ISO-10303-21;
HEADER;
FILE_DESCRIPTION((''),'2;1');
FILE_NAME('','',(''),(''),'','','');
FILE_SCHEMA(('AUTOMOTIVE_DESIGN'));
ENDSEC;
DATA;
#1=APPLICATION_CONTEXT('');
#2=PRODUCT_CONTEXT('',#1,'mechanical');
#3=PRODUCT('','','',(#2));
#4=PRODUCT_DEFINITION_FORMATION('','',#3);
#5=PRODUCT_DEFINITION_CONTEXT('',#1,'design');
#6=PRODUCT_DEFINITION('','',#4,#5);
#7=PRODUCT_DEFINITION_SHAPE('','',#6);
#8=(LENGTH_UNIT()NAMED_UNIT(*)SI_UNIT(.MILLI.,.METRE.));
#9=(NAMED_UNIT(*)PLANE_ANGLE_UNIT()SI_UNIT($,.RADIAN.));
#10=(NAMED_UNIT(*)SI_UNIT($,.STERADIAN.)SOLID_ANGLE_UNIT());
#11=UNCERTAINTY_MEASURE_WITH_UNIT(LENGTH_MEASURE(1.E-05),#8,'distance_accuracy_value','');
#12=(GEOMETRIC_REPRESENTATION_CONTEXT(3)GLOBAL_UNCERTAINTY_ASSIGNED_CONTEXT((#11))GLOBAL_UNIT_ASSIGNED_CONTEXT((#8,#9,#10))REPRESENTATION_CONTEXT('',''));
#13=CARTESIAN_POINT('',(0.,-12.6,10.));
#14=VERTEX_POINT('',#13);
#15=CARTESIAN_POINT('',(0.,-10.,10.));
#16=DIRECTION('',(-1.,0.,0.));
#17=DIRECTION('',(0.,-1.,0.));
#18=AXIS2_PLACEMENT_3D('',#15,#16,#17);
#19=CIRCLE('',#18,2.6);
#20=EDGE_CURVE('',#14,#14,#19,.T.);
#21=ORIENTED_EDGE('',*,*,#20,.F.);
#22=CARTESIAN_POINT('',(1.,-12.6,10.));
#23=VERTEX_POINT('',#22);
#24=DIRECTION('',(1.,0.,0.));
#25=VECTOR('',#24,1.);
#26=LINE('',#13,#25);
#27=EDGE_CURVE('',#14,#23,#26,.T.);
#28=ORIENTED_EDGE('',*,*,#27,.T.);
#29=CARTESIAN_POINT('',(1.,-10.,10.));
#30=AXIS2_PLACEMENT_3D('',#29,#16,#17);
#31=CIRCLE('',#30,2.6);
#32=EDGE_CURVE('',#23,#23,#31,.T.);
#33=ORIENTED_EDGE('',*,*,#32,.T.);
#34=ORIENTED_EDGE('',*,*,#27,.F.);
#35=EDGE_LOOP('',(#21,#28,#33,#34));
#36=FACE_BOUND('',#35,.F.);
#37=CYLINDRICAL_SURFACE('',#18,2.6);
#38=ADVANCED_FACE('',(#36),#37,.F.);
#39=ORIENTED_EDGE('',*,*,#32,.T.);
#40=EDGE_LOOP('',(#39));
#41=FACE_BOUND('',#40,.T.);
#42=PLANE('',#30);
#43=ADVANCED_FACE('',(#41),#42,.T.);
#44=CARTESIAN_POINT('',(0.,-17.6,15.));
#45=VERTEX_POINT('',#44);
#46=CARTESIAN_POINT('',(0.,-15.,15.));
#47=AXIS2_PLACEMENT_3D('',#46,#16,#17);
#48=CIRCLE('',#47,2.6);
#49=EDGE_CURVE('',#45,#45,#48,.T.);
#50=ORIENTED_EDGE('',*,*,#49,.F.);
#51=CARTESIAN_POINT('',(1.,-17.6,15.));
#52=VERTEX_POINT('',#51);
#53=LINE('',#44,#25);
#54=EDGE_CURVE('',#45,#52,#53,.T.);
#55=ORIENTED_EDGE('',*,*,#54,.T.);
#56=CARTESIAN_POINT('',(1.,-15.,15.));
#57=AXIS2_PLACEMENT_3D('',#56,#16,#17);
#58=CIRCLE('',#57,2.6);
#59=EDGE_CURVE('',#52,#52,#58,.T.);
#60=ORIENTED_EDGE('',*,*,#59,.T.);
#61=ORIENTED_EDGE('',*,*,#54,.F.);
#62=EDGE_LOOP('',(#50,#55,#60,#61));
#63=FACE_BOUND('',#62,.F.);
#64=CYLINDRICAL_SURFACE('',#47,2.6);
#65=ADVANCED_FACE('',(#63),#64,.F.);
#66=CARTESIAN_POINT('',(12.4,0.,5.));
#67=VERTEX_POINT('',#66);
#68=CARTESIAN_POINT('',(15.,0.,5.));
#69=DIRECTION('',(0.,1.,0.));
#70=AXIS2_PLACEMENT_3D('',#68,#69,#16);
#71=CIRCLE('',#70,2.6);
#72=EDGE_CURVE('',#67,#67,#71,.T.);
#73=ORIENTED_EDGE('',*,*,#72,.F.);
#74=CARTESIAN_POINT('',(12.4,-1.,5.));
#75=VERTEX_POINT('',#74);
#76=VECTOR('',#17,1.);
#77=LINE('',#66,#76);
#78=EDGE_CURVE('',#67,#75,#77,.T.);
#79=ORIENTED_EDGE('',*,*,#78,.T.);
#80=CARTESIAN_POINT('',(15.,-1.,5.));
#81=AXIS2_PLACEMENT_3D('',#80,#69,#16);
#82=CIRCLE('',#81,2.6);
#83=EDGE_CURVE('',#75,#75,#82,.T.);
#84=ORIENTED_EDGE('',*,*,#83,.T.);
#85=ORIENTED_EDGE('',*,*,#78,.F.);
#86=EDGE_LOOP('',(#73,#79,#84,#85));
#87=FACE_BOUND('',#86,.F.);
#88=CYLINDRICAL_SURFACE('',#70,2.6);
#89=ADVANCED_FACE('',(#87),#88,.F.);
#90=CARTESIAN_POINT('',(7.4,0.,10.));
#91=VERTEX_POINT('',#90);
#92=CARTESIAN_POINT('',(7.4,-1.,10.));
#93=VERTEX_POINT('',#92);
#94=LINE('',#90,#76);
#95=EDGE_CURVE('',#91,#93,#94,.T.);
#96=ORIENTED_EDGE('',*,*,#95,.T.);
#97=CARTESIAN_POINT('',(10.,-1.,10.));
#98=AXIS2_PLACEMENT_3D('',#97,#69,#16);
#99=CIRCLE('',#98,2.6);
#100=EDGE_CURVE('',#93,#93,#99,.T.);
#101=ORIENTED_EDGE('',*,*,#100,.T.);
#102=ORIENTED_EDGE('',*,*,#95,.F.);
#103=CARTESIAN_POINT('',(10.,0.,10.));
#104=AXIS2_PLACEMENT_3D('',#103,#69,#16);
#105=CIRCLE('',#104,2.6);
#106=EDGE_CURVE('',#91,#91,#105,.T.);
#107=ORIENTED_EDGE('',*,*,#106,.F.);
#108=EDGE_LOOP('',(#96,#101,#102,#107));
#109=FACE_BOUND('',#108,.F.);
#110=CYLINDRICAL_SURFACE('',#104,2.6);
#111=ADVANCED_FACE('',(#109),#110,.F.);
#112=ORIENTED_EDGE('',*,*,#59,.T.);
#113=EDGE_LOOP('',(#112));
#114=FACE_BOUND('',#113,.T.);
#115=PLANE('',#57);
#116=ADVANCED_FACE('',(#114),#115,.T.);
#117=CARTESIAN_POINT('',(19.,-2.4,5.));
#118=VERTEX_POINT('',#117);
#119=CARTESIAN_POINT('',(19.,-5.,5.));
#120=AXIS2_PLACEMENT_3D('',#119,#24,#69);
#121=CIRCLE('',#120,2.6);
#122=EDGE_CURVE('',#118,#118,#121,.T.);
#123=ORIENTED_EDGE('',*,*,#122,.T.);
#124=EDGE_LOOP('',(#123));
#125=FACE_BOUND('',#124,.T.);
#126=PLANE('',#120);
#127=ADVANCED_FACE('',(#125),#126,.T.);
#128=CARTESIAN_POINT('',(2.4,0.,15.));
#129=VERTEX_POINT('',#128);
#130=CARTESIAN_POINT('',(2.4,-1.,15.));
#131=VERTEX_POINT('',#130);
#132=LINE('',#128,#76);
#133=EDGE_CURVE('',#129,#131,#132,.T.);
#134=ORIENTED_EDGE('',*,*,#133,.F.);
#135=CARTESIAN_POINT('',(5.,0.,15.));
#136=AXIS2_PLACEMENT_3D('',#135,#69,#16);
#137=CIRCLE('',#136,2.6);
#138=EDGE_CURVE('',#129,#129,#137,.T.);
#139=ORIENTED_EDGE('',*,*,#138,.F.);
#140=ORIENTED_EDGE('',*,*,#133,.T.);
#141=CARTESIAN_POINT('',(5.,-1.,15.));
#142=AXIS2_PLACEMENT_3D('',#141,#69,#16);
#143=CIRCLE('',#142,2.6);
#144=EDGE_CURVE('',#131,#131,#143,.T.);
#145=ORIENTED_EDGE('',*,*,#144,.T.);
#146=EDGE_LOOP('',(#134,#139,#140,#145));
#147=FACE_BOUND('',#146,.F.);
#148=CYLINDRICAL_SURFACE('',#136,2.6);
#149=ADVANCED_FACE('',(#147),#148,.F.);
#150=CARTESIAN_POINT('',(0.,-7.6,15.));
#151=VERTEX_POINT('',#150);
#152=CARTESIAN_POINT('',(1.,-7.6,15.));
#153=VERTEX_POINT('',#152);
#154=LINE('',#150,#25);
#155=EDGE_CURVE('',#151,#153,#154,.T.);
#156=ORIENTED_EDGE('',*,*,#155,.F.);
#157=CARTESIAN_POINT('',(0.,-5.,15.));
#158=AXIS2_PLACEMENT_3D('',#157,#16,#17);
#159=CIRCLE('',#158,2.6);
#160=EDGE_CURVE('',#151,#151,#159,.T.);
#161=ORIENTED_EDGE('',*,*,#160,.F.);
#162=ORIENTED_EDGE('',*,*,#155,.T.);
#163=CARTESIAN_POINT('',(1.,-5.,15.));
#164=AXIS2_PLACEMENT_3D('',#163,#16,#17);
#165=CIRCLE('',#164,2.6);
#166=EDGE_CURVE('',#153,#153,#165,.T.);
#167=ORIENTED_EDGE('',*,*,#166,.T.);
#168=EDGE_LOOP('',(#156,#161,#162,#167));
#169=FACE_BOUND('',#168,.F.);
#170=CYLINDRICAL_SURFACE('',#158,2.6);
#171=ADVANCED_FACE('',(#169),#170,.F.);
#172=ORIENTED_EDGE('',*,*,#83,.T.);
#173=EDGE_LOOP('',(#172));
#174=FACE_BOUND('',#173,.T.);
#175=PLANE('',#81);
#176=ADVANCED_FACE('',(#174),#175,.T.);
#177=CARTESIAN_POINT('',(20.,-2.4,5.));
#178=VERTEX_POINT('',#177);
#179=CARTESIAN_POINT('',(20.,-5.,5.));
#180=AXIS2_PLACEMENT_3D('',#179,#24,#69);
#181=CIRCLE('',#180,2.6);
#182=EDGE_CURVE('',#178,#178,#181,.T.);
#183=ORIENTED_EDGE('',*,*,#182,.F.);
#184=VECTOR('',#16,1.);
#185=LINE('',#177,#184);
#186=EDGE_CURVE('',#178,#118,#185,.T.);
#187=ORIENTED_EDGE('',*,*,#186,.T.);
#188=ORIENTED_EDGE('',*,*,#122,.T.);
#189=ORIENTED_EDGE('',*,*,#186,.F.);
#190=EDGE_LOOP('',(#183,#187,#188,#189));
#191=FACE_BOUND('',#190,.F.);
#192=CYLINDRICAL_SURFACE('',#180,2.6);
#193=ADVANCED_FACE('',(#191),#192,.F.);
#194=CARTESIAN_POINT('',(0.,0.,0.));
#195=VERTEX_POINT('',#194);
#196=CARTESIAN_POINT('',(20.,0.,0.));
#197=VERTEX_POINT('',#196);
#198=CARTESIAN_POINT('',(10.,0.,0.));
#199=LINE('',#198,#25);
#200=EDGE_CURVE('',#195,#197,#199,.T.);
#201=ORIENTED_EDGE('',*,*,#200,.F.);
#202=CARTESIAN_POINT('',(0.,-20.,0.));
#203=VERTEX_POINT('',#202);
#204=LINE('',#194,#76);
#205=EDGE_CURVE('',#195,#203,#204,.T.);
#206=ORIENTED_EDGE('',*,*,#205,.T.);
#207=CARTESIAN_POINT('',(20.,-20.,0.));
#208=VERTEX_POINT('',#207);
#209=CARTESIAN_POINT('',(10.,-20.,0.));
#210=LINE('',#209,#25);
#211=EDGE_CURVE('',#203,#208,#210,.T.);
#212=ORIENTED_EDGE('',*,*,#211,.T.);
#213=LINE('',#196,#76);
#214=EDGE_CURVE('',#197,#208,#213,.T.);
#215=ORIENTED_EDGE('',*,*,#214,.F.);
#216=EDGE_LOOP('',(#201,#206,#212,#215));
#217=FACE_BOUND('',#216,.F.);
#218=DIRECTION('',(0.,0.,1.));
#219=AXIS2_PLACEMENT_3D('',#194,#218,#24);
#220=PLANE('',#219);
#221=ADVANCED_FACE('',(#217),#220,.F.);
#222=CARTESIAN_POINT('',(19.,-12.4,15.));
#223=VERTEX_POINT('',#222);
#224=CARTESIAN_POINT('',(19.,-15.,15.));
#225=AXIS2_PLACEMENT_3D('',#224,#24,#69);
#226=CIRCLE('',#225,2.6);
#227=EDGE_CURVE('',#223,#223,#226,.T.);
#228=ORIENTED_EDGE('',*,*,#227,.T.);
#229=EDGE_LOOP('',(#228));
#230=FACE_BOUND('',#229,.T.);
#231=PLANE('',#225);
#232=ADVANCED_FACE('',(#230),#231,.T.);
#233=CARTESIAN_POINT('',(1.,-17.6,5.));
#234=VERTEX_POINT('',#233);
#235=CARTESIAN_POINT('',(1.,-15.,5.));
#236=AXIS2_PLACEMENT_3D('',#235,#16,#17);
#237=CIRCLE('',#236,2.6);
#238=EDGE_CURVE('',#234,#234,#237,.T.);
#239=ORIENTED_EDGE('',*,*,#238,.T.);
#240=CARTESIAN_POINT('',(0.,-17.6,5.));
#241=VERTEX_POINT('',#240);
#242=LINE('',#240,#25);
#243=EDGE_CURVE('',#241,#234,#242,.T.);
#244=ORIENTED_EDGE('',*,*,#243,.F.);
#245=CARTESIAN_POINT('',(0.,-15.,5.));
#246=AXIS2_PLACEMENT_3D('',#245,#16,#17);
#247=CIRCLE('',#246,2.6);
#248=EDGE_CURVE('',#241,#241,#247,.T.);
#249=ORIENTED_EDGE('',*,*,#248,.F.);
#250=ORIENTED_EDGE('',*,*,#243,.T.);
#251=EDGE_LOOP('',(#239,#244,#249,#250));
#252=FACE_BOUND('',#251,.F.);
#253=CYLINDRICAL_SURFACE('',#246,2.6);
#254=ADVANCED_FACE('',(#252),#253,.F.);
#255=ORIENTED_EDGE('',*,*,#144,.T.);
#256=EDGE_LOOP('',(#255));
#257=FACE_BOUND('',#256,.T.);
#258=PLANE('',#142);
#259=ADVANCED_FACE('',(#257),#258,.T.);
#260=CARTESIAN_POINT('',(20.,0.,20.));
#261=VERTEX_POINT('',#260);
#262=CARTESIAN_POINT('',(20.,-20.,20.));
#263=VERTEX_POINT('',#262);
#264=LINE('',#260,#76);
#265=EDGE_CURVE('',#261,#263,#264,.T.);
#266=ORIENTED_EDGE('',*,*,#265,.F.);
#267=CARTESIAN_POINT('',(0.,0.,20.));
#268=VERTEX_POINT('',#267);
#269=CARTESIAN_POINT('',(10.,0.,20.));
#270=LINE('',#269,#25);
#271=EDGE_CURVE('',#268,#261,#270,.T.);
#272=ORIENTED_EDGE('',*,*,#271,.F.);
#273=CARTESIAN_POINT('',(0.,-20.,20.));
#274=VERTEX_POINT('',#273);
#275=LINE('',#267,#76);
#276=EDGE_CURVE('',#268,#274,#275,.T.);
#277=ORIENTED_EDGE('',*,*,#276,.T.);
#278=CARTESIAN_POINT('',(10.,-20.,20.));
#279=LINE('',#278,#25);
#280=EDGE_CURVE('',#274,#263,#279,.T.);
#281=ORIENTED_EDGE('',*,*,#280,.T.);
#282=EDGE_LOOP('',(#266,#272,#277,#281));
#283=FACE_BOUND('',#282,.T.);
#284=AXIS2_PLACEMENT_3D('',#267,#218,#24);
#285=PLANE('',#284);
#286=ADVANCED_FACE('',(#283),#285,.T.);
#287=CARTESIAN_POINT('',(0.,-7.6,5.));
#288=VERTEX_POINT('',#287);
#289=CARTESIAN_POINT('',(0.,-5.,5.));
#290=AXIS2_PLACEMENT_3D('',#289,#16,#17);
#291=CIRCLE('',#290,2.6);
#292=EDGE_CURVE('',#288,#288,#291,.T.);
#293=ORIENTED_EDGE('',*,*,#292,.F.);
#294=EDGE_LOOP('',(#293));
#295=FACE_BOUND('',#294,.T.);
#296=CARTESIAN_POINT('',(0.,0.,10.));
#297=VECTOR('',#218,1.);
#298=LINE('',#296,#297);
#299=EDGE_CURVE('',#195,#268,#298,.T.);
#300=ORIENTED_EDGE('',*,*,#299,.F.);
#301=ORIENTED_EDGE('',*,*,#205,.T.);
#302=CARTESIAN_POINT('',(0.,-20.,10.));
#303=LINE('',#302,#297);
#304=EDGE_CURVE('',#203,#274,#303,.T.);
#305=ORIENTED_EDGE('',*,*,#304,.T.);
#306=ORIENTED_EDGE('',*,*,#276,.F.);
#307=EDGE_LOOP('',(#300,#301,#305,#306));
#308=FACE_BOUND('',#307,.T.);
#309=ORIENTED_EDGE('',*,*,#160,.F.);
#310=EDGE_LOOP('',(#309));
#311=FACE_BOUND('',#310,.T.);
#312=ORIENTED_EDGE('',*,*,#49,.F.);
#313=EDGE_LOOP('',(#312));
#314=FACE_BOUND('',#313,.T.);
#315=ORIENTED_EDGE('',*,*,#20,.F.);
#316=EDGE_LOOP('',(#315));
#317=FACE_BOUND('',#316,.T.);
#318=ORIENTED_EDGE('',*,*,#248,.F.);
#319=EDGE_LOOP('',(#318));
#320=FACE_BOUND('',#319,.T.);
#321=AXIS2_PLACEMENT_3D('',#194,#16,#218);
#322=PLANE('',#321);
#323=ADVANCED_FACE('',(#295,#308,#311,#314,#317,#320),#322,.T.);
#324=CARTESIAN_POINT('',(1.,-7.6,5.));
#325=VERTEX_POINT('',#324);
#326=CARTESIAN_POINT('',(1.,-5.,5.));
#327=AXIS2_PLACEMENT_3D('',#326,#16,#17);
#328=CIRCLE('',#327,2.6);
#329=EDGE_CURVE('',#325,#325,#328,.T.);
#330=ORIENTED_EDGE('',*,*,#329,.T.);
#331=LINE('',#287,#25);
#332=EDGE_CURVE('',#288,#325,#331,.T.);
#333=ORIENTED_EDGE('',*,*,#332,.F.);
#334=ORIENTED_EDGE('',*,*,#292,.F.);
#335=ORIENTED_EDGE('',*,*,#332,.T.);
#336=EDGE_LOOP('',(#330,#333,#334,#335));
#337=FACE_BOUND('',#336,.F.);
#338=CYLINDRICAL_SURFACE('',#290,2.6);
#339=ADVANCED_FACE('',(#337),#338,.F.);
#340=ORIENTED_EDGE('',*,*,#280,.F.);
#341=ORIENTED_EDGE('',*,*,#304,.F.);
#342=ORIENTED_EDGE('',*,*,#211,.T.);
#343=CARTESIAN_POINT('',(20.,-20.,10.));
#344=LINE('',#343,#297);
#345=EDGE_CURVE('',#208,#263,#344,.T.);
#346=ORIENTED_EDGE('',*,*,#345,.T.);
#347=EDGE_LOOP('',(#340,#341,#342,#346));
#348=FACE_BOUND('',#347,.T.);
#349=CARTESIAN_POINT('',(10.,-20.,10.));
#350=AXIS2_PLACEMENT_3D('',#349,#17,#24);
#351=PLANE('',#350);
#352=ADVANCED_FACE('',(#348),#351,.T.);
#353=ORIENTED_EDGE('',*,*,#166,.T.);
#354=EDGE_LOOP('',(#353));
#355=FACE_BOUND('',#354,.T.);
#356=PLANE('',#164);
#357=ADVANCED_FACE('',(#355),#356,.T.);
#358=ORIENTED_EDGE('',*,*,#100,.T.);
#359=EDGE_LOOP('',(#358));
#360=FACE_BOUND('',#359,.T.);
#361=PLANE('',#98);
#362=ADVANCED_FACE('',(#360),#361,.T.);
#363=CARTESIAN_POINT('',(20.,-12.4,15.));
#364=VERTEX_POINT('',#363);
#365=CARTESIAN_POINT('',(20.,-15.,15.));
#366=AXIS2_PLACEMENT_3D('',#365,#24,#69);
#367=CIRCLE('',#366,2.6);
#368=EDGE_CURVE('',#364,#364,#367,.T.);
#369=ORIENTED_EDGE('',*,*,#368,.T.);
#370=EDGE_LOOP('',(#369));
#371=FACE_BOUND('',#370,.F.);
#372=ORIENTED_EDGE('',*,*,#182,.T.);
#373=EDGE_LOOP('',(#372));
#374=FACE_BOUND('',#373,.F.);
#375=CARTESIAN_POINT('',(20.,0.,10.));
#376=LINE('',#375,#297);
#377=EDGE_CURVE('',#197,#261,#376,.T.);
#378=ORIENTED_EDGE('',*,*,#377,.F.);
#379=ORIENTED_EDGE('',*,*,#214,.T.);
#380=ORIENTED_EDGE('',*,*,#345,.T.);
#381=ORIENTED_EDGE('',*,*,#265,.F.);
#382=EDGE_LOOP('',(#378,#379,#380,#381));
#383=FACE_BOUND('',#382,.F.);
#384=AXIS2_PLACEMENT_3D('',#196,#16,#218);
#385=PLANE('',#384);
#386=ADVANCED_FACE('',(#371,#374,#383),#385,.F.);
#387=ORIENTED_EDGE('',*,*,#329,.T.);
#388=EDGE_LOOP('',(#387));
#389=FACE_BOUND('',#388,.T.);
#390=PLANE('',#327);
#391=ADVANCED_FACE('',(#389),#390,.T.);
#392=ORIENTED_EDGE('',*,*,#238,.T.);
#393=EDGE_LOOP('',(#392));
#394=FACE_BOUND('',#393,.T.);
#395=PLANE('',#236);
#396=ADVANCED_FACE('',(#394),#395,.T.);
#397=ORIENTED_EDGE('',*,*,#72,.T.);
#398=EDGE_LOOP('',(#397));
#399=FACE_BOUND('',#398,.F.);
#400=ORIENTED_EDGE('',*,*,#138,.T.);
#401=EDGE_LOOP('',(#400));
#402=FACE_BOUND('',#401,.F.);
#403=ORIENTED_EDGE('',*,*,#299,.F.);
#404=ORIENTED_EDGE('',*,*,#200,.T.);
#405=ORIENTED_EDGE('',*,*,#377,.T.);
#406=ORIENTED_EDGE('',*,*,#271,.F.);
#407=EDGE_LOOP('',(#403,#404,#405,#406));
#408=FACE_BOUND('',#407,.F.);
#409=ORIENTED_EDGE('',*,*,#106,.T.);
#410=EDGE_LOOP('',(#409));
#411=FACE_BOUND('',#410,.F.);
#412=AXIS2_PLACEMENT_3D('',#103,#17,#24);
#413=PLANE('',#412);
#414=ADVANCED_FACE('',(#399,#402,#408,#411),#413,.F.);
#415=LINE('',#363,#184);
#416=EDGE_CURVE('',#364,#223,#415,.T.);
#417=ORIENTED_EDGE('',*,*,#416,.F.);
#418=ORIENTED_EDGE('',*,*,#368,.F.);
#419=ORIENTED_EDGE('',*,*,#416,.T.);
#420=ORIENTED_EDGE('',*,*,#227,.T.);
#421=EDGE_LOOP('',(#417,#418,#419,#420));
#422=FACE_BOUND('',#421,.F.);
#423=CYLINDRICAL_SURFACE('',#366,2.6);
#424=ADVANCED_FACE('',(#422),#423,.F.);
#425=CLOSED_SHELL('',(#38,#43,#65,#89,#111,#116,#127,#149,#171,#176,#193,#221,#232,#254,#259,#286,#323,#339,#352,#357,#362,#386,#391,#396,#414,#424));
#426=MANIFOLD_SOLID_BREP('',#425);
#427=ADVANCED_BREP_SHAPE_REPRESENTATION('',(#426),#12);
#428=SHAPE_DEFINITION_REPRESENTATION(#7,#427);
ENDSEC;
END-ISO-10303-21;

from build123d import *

# Parameters (mm, degrees)
F0_W     = 20
F0_H     = 20
F1_DEPTH = 20
F2_R     = 2.6
F3_DEPTH = 1
F4_R     = 2.6
F5_DEPTH = 1
F6_R     = 2.6
F7_DEPTH = 1


with BuildPart() as f1:
    # F0 (on Front) → F1 (new body)
    with BuildSketch(Plane.XZ):
        with Locations((10, 10)):
            Rectangle(F0_W, F0_H)
    extrude(amount=F1_DEPTH)

    # F2 (on face) → F3 (cut)
    with BuildSketch(Plane(origin=(0, 0, 0), x_dir=(0, -1, 0), z_dir=(-1, 0, 0))):
        with Locations((10, 10)):
            Circle(F2_R)
        with Locations((5, 15)):
            Circle(F2_R)
        with Locations((15, 15)):
            Circle(F2_R)
        with Locations((15, 5)):
            Circle(F2_R)
        with Locations((5, 5)):
            Circle(F2_R)
    extrude(amount=-F3_DEPTH, mode=Mode.SUBTRACT)

    # F4 (on face) → F5 (cut)
    with BuildSketch(Plane.YZ.offset(20)):
        with Locations((-15, 15)):
            Circle(F4_R)
        with Locations((-5, 5)):
            Circle(F4_R)
    extrude(amount=-F5_DEPTH, mode=Mode.SUBTRACT)

    # F6 (on face) → F7 (cut)
    with BuildSketch(Plane(origin=(0, 0, 0), x_dir=(-1, 0, 0), z_dir=(0, 1, 0))):
        with Locations((-10, 10)):
            Circle(F6_R)
        with Locations((-5, 15)):
            Circle(F6_R)
        with Locations((-15, 5)):
            Circle(F6_R)
    extrude(amount=-F7_DEPTH, mode=Mode.SUBTRACT)


solid = f1.part
